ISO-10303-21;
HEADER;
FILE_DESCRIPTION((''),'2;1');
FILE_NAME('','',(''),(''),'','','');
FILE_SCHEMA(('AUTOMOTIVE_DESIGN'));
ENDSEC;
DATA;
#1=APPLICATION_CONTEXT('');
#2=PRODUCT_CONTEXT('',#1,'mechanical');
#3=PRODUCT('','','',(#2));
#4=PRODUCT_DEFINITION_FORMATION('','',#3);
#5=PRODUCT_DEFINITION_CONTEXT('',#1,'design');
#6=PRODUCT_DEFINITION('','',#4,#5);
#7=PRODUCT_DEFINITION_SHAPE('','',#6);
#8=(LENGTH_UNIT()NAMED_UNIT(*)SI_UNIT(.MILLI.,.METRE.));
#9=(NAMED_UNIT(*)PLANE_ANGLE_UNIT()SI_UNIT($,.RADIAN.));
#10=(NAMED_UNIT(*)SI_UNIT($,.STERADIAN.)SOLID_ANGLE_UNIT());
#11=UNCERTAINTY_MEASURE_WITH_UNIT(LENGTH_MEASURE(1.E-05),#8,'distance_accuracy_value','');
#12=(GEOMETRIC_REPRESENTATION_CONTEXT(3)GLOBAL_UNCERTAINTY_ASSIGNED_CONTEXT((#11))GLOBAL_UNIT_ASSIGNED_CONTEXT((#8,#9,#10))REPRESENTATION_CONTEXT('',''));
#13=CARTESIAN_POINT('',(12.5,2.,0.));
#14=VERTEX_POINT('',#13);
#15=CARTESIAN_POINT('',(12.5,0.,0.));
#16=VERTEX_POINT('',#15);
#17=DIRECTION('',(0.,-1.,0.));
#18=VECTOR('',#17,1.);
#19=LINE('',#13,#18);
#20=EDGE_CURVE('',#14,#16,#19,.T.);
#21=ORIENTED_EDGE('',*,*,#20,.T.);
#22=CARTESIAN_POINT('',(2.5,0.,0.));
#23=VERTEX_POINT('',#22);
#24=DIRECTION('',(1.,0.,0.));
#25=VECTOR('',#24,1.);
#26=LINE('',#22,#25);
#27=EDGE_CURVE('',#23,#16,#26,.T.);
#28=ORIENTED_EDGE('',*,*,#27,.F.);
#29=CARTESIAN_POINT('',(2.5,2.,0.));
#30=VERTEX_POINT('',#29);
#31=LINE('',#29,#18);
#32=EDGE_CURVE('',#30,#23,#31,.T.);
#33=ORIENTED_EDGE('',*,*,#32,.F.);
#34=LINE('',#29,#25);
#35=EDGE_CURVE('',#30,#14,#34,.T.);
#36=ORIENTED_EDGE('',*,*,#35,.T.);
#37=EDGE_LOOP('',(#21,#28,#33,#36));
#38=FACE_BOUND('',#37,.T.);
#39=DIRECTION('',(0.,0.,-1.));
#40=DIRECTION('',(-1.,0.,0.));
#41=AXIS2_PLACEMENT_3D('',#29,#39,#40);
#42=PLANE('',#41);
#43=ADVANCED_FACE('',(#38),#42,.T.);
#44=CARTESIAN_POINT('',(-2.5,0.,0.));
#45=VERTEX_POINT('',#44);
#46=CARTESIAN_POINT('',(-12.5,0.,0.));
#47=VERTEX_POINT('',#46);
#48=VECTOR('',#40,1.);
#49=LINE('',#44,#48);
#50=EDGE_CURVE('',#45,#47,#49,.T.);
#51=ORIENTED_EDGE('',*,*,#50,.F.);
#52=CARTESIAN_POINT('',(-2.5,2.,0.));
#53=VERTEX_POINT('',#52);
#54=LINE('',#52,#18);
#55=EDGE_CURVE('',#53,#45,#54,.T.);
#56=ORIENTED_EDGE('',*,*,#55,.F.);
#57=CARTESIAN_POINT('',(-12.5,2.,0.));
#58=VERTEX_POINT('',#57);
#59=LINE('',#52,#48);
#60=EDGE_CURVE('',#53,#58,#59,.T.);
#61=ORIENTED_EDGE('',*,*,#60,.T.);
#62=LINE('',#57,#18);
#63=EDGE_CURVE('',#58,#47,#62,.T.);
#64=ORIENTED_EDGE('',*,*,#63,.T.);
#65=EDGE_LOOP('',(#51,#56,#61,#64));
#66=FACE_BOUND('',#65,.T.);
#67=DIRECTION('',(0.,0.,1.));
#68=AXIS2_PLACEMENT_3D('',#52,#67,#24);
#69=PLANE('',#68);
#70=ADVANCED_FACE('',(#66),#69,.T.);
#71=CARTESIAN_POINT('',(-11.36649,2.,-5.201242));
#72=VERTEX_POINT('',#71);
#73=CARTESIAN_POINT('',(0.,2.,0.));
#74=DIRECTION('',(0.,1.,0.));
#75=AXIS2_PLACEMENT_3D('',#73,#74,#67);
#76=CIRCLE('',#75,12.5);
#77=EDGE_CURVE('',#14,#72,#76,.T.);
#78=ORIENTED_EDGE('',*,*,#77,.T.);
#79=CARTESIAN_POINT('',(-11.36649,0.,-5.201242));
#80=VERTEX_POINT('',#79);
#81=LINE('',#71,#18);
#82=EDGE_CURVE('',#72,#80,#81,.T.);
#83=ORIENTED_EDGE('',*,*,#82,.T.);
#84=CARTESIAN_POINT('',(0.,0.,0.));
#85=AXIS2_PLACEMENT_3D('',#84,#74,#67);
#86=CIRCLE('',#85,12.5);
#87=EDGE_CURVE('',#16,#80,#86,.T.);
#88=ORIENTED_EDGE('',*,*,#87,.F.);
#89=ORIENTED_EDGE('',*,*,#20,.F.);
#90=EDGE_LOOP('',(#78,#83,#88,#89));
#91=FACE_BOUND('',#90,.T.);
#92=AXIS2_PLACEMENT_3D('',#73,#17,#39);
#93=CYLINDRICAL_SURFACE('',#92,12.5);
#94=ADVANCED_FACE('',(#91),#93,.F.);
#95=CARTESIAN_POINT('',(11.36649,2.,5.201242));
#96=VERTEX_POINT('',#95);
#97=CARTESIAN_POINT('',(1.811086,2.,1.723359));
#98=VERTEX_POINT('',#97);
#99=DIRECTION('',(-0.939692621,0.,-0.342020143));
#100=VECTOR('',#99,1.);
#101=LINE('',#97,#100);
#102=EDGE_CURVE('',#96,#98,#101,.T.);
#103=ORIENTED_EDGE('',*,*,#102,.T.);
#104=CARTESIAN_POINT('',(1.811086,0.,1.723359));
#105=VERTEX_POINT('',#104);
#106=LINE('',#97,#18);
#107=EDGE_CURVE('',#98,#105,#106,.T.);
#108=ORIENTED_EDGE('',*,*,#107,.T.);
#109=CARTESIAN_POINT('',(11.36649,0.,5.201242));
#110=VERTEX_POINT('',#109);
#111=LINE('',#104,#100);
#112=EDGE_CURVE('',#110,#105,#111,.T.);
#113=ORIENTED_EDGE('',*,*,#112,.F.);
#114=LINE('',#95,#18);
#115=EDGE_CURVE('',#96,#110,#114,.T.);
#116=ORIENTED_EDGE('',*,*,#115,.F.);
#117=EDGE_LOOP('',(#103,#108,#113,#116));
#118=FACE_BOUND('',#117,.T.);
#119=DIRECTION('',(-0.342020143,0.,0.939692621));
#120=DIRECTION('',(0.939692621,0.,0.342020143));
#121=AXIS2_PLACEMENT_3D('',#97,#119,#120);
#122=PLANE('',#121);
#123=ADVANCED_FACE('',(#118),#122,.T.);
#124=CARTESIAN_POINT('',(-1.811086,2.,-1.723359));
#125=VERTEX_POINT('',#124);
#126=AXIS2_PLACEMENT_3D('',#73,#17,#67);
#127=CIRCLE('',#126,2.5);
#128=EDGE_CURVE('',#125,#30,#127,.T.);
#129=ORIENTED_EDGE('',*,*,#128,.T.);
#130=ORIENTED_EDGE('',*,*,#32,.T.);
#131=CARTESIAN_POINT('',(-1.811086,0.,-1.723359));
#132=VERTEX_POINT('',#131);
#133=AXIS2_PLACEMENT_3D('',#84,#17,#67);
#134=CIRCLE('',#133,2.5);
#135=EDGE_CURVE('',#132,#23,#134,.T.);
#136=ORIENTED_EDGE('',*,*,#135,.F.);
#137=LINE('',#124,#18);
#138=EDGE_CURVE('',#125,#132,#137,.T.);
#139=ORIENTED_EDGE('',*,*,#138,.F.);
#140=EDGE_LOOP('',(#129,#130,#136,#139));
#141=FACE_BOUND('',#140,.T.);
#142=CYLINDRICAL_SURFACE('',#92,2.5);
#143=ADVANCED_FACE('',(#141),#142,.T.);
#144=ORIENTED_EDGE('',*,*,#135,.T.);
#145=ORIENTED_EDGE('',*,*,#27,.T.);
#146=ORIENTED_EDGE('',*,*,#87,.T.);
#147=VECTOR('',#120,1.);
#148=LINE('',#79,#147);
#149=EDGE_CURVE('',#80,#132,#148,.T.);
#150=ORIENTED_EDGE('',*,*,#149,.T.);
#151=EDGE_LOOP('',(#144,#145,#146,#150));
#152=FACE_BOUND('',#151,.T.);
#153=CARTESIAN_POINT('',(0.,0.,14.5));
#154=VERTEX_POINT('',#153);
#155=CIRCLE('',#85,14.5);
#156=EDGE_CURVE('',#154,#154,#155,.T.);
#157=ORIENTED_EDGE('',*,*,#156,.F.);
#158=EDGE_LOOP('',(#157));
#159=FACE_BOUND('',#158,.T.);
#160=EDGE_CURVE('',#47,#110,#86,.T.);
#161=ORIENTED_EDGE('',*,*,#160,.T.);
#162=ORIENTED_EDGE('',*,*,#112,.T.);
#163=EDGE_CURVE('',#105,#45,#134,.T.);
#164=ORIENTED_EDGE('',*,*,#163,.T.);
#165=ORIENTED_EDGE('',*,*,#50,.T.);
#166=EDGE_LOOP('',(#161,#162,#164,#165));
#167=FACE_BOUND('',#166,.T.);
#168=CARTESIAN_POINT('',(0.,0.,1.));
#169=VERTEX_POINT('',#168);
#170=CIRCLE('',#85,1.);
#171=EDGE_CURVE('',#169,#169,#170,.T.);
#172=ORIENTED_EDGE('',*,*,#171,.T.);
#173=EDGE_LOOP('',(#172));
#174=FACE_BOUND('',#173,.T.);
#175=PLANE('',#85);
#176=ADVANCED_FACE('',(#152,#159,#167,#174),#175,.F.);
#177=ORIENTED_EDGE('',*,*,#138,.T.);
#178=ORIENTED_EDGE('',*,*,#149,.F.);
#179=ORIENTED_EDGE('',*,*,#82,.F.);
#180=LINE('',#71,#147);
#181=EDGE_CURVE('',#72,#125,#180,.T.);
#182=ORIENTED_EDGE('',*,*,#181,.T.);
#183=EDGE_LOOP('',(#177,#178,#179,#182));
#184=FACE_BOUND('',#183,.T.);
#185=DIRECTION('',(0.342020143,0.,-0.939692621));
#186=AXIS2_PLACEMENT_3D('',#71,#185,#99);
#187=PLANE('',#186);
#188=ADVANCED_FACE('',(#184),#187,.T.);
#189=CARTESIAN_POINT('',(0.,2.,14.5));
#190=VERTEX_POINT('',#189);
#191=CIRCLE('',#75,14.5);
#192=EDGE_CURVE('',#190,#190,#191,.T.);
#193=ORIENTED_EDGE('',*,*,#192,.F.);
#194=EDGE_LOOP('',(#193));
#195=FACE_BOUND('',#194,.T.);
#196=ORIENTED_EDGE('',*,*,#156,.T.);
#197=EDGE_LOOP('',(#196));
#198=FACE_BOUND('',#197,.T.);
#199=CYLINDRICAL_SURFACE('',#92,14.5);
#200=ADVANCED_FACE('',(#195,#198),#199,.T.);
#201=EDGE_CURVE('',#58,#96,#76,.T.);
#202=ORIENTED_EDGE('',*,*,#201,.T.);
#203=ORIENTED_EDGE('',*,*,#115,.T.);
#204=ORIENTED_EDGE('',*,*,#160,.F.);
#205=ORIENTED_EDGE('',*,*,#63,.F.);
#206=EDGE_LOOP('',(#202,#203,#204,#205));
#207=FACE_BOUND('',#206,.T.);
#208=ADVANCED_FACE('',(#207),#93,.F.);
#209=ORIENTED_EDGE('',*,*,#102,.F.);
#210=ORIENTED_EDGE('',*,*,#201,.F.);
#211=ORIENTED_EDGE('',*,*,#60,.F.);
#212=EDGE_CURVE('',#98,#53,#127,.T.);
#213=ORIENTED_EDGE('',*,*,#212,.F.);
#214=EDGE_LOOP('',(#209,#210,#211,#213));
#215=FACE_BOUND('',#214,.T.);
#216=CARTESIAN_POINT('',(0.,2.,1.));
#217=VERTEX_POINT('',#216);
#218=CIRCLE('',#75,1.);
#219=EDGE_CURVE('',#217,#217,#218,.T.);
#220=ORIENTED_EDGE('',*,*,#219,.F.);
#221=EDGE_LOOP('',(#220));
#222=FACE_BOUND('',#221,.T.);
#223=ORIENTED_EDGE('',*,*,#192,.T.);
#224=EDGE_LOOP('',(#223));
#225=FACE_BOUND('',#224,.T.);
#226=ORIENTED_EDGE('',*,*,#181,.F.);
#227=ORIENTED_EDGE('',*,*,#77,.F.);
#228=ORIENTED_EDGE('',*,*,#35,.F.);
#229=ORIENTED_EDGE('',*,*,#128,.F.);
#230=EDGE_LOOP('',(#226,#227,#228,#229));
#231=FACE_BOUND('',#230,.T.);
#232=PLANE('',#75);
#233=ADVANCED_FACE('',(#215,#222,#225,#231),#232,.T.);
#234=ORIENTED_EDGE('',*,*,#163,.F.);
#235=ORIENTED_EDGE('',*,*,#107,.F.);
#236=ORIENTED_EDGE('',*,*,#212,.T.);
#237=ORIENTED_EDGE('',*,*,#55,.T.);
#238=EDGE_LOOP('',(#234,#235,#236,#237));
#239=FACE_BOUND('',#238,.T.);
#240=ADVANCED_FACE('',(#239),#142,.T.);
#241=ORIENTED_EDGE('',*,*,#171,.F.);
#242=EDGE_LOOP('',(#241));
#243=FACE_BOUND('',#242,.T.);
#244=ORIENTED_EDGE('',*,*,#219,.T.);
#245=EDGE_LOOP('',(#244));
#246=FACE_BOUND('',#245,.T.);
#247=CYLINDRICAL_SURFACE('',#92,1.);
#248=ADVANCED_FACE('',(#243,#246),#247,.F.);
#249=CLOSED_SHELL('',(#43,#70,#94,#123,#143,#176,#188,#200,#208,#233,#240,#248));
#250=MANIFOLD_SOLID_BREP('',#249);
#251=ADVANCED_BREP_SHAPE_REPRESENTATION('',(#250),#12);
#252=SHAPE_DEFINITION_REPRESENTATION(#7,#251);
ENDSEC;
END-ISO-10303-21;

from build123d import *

# Parameters (mm, degrees)
SKETCH1_R           = 14.5
SKETCH1_R_2         = 1
BOSS_EXTRUDE1_DEPTH = 2


with BuildPart() as part:
    # Sketch1 → Boss-Extrude1 (new body)
    with BuildSketch(Plane(origin=(0, 0, 0), x_dir=(1, 0, 0), z_dir=(0, 1, 0))):
        with Locations(Location((0, 0, 0), (0, 0, 270))):
            Circle(SKETCH1_R)
        with Locations(Location((0, 0, 0), (0, 0, 270))):
            Circle(SKETCH1_R_2, mode=Mode.SUBTRACT)
        with BuildLine():
            Line((-2.5, 0), (-12.5, 0))
            ThreePointArc((-12.5, 0), (-2.661661161, -12.213335329), (11.366489578, -5.201241647))
            Line((11.366489578, -5.201241647), (1.811086139, -1.723359219))
            ThreePointArc((1.811086139, -1.723359219), (-0.927977546, -2.321391323), (-2.5, 0))
        make_face(mode=Mode.SUBTRACT)
        with BuildLine():
            Line((-11.366489578, 5.201241647), (-1.811086139, 1.723359219))
            ThreePointArc((-1.811086139, 1.723359219), (0.927977546, 2.321391323), (2.5, 0))
            Line((2.5, 0), (12.5, 0))
            ThreePointArc((12.5, 0), (2.661661161, 12.213335329), (-11.366489578, 5.201241647))
        make_face(mode=Mode.SUBTRACT)
    extrude(amount=BOSS_EXTRUDE1_DEPTH)


solid = part.part
